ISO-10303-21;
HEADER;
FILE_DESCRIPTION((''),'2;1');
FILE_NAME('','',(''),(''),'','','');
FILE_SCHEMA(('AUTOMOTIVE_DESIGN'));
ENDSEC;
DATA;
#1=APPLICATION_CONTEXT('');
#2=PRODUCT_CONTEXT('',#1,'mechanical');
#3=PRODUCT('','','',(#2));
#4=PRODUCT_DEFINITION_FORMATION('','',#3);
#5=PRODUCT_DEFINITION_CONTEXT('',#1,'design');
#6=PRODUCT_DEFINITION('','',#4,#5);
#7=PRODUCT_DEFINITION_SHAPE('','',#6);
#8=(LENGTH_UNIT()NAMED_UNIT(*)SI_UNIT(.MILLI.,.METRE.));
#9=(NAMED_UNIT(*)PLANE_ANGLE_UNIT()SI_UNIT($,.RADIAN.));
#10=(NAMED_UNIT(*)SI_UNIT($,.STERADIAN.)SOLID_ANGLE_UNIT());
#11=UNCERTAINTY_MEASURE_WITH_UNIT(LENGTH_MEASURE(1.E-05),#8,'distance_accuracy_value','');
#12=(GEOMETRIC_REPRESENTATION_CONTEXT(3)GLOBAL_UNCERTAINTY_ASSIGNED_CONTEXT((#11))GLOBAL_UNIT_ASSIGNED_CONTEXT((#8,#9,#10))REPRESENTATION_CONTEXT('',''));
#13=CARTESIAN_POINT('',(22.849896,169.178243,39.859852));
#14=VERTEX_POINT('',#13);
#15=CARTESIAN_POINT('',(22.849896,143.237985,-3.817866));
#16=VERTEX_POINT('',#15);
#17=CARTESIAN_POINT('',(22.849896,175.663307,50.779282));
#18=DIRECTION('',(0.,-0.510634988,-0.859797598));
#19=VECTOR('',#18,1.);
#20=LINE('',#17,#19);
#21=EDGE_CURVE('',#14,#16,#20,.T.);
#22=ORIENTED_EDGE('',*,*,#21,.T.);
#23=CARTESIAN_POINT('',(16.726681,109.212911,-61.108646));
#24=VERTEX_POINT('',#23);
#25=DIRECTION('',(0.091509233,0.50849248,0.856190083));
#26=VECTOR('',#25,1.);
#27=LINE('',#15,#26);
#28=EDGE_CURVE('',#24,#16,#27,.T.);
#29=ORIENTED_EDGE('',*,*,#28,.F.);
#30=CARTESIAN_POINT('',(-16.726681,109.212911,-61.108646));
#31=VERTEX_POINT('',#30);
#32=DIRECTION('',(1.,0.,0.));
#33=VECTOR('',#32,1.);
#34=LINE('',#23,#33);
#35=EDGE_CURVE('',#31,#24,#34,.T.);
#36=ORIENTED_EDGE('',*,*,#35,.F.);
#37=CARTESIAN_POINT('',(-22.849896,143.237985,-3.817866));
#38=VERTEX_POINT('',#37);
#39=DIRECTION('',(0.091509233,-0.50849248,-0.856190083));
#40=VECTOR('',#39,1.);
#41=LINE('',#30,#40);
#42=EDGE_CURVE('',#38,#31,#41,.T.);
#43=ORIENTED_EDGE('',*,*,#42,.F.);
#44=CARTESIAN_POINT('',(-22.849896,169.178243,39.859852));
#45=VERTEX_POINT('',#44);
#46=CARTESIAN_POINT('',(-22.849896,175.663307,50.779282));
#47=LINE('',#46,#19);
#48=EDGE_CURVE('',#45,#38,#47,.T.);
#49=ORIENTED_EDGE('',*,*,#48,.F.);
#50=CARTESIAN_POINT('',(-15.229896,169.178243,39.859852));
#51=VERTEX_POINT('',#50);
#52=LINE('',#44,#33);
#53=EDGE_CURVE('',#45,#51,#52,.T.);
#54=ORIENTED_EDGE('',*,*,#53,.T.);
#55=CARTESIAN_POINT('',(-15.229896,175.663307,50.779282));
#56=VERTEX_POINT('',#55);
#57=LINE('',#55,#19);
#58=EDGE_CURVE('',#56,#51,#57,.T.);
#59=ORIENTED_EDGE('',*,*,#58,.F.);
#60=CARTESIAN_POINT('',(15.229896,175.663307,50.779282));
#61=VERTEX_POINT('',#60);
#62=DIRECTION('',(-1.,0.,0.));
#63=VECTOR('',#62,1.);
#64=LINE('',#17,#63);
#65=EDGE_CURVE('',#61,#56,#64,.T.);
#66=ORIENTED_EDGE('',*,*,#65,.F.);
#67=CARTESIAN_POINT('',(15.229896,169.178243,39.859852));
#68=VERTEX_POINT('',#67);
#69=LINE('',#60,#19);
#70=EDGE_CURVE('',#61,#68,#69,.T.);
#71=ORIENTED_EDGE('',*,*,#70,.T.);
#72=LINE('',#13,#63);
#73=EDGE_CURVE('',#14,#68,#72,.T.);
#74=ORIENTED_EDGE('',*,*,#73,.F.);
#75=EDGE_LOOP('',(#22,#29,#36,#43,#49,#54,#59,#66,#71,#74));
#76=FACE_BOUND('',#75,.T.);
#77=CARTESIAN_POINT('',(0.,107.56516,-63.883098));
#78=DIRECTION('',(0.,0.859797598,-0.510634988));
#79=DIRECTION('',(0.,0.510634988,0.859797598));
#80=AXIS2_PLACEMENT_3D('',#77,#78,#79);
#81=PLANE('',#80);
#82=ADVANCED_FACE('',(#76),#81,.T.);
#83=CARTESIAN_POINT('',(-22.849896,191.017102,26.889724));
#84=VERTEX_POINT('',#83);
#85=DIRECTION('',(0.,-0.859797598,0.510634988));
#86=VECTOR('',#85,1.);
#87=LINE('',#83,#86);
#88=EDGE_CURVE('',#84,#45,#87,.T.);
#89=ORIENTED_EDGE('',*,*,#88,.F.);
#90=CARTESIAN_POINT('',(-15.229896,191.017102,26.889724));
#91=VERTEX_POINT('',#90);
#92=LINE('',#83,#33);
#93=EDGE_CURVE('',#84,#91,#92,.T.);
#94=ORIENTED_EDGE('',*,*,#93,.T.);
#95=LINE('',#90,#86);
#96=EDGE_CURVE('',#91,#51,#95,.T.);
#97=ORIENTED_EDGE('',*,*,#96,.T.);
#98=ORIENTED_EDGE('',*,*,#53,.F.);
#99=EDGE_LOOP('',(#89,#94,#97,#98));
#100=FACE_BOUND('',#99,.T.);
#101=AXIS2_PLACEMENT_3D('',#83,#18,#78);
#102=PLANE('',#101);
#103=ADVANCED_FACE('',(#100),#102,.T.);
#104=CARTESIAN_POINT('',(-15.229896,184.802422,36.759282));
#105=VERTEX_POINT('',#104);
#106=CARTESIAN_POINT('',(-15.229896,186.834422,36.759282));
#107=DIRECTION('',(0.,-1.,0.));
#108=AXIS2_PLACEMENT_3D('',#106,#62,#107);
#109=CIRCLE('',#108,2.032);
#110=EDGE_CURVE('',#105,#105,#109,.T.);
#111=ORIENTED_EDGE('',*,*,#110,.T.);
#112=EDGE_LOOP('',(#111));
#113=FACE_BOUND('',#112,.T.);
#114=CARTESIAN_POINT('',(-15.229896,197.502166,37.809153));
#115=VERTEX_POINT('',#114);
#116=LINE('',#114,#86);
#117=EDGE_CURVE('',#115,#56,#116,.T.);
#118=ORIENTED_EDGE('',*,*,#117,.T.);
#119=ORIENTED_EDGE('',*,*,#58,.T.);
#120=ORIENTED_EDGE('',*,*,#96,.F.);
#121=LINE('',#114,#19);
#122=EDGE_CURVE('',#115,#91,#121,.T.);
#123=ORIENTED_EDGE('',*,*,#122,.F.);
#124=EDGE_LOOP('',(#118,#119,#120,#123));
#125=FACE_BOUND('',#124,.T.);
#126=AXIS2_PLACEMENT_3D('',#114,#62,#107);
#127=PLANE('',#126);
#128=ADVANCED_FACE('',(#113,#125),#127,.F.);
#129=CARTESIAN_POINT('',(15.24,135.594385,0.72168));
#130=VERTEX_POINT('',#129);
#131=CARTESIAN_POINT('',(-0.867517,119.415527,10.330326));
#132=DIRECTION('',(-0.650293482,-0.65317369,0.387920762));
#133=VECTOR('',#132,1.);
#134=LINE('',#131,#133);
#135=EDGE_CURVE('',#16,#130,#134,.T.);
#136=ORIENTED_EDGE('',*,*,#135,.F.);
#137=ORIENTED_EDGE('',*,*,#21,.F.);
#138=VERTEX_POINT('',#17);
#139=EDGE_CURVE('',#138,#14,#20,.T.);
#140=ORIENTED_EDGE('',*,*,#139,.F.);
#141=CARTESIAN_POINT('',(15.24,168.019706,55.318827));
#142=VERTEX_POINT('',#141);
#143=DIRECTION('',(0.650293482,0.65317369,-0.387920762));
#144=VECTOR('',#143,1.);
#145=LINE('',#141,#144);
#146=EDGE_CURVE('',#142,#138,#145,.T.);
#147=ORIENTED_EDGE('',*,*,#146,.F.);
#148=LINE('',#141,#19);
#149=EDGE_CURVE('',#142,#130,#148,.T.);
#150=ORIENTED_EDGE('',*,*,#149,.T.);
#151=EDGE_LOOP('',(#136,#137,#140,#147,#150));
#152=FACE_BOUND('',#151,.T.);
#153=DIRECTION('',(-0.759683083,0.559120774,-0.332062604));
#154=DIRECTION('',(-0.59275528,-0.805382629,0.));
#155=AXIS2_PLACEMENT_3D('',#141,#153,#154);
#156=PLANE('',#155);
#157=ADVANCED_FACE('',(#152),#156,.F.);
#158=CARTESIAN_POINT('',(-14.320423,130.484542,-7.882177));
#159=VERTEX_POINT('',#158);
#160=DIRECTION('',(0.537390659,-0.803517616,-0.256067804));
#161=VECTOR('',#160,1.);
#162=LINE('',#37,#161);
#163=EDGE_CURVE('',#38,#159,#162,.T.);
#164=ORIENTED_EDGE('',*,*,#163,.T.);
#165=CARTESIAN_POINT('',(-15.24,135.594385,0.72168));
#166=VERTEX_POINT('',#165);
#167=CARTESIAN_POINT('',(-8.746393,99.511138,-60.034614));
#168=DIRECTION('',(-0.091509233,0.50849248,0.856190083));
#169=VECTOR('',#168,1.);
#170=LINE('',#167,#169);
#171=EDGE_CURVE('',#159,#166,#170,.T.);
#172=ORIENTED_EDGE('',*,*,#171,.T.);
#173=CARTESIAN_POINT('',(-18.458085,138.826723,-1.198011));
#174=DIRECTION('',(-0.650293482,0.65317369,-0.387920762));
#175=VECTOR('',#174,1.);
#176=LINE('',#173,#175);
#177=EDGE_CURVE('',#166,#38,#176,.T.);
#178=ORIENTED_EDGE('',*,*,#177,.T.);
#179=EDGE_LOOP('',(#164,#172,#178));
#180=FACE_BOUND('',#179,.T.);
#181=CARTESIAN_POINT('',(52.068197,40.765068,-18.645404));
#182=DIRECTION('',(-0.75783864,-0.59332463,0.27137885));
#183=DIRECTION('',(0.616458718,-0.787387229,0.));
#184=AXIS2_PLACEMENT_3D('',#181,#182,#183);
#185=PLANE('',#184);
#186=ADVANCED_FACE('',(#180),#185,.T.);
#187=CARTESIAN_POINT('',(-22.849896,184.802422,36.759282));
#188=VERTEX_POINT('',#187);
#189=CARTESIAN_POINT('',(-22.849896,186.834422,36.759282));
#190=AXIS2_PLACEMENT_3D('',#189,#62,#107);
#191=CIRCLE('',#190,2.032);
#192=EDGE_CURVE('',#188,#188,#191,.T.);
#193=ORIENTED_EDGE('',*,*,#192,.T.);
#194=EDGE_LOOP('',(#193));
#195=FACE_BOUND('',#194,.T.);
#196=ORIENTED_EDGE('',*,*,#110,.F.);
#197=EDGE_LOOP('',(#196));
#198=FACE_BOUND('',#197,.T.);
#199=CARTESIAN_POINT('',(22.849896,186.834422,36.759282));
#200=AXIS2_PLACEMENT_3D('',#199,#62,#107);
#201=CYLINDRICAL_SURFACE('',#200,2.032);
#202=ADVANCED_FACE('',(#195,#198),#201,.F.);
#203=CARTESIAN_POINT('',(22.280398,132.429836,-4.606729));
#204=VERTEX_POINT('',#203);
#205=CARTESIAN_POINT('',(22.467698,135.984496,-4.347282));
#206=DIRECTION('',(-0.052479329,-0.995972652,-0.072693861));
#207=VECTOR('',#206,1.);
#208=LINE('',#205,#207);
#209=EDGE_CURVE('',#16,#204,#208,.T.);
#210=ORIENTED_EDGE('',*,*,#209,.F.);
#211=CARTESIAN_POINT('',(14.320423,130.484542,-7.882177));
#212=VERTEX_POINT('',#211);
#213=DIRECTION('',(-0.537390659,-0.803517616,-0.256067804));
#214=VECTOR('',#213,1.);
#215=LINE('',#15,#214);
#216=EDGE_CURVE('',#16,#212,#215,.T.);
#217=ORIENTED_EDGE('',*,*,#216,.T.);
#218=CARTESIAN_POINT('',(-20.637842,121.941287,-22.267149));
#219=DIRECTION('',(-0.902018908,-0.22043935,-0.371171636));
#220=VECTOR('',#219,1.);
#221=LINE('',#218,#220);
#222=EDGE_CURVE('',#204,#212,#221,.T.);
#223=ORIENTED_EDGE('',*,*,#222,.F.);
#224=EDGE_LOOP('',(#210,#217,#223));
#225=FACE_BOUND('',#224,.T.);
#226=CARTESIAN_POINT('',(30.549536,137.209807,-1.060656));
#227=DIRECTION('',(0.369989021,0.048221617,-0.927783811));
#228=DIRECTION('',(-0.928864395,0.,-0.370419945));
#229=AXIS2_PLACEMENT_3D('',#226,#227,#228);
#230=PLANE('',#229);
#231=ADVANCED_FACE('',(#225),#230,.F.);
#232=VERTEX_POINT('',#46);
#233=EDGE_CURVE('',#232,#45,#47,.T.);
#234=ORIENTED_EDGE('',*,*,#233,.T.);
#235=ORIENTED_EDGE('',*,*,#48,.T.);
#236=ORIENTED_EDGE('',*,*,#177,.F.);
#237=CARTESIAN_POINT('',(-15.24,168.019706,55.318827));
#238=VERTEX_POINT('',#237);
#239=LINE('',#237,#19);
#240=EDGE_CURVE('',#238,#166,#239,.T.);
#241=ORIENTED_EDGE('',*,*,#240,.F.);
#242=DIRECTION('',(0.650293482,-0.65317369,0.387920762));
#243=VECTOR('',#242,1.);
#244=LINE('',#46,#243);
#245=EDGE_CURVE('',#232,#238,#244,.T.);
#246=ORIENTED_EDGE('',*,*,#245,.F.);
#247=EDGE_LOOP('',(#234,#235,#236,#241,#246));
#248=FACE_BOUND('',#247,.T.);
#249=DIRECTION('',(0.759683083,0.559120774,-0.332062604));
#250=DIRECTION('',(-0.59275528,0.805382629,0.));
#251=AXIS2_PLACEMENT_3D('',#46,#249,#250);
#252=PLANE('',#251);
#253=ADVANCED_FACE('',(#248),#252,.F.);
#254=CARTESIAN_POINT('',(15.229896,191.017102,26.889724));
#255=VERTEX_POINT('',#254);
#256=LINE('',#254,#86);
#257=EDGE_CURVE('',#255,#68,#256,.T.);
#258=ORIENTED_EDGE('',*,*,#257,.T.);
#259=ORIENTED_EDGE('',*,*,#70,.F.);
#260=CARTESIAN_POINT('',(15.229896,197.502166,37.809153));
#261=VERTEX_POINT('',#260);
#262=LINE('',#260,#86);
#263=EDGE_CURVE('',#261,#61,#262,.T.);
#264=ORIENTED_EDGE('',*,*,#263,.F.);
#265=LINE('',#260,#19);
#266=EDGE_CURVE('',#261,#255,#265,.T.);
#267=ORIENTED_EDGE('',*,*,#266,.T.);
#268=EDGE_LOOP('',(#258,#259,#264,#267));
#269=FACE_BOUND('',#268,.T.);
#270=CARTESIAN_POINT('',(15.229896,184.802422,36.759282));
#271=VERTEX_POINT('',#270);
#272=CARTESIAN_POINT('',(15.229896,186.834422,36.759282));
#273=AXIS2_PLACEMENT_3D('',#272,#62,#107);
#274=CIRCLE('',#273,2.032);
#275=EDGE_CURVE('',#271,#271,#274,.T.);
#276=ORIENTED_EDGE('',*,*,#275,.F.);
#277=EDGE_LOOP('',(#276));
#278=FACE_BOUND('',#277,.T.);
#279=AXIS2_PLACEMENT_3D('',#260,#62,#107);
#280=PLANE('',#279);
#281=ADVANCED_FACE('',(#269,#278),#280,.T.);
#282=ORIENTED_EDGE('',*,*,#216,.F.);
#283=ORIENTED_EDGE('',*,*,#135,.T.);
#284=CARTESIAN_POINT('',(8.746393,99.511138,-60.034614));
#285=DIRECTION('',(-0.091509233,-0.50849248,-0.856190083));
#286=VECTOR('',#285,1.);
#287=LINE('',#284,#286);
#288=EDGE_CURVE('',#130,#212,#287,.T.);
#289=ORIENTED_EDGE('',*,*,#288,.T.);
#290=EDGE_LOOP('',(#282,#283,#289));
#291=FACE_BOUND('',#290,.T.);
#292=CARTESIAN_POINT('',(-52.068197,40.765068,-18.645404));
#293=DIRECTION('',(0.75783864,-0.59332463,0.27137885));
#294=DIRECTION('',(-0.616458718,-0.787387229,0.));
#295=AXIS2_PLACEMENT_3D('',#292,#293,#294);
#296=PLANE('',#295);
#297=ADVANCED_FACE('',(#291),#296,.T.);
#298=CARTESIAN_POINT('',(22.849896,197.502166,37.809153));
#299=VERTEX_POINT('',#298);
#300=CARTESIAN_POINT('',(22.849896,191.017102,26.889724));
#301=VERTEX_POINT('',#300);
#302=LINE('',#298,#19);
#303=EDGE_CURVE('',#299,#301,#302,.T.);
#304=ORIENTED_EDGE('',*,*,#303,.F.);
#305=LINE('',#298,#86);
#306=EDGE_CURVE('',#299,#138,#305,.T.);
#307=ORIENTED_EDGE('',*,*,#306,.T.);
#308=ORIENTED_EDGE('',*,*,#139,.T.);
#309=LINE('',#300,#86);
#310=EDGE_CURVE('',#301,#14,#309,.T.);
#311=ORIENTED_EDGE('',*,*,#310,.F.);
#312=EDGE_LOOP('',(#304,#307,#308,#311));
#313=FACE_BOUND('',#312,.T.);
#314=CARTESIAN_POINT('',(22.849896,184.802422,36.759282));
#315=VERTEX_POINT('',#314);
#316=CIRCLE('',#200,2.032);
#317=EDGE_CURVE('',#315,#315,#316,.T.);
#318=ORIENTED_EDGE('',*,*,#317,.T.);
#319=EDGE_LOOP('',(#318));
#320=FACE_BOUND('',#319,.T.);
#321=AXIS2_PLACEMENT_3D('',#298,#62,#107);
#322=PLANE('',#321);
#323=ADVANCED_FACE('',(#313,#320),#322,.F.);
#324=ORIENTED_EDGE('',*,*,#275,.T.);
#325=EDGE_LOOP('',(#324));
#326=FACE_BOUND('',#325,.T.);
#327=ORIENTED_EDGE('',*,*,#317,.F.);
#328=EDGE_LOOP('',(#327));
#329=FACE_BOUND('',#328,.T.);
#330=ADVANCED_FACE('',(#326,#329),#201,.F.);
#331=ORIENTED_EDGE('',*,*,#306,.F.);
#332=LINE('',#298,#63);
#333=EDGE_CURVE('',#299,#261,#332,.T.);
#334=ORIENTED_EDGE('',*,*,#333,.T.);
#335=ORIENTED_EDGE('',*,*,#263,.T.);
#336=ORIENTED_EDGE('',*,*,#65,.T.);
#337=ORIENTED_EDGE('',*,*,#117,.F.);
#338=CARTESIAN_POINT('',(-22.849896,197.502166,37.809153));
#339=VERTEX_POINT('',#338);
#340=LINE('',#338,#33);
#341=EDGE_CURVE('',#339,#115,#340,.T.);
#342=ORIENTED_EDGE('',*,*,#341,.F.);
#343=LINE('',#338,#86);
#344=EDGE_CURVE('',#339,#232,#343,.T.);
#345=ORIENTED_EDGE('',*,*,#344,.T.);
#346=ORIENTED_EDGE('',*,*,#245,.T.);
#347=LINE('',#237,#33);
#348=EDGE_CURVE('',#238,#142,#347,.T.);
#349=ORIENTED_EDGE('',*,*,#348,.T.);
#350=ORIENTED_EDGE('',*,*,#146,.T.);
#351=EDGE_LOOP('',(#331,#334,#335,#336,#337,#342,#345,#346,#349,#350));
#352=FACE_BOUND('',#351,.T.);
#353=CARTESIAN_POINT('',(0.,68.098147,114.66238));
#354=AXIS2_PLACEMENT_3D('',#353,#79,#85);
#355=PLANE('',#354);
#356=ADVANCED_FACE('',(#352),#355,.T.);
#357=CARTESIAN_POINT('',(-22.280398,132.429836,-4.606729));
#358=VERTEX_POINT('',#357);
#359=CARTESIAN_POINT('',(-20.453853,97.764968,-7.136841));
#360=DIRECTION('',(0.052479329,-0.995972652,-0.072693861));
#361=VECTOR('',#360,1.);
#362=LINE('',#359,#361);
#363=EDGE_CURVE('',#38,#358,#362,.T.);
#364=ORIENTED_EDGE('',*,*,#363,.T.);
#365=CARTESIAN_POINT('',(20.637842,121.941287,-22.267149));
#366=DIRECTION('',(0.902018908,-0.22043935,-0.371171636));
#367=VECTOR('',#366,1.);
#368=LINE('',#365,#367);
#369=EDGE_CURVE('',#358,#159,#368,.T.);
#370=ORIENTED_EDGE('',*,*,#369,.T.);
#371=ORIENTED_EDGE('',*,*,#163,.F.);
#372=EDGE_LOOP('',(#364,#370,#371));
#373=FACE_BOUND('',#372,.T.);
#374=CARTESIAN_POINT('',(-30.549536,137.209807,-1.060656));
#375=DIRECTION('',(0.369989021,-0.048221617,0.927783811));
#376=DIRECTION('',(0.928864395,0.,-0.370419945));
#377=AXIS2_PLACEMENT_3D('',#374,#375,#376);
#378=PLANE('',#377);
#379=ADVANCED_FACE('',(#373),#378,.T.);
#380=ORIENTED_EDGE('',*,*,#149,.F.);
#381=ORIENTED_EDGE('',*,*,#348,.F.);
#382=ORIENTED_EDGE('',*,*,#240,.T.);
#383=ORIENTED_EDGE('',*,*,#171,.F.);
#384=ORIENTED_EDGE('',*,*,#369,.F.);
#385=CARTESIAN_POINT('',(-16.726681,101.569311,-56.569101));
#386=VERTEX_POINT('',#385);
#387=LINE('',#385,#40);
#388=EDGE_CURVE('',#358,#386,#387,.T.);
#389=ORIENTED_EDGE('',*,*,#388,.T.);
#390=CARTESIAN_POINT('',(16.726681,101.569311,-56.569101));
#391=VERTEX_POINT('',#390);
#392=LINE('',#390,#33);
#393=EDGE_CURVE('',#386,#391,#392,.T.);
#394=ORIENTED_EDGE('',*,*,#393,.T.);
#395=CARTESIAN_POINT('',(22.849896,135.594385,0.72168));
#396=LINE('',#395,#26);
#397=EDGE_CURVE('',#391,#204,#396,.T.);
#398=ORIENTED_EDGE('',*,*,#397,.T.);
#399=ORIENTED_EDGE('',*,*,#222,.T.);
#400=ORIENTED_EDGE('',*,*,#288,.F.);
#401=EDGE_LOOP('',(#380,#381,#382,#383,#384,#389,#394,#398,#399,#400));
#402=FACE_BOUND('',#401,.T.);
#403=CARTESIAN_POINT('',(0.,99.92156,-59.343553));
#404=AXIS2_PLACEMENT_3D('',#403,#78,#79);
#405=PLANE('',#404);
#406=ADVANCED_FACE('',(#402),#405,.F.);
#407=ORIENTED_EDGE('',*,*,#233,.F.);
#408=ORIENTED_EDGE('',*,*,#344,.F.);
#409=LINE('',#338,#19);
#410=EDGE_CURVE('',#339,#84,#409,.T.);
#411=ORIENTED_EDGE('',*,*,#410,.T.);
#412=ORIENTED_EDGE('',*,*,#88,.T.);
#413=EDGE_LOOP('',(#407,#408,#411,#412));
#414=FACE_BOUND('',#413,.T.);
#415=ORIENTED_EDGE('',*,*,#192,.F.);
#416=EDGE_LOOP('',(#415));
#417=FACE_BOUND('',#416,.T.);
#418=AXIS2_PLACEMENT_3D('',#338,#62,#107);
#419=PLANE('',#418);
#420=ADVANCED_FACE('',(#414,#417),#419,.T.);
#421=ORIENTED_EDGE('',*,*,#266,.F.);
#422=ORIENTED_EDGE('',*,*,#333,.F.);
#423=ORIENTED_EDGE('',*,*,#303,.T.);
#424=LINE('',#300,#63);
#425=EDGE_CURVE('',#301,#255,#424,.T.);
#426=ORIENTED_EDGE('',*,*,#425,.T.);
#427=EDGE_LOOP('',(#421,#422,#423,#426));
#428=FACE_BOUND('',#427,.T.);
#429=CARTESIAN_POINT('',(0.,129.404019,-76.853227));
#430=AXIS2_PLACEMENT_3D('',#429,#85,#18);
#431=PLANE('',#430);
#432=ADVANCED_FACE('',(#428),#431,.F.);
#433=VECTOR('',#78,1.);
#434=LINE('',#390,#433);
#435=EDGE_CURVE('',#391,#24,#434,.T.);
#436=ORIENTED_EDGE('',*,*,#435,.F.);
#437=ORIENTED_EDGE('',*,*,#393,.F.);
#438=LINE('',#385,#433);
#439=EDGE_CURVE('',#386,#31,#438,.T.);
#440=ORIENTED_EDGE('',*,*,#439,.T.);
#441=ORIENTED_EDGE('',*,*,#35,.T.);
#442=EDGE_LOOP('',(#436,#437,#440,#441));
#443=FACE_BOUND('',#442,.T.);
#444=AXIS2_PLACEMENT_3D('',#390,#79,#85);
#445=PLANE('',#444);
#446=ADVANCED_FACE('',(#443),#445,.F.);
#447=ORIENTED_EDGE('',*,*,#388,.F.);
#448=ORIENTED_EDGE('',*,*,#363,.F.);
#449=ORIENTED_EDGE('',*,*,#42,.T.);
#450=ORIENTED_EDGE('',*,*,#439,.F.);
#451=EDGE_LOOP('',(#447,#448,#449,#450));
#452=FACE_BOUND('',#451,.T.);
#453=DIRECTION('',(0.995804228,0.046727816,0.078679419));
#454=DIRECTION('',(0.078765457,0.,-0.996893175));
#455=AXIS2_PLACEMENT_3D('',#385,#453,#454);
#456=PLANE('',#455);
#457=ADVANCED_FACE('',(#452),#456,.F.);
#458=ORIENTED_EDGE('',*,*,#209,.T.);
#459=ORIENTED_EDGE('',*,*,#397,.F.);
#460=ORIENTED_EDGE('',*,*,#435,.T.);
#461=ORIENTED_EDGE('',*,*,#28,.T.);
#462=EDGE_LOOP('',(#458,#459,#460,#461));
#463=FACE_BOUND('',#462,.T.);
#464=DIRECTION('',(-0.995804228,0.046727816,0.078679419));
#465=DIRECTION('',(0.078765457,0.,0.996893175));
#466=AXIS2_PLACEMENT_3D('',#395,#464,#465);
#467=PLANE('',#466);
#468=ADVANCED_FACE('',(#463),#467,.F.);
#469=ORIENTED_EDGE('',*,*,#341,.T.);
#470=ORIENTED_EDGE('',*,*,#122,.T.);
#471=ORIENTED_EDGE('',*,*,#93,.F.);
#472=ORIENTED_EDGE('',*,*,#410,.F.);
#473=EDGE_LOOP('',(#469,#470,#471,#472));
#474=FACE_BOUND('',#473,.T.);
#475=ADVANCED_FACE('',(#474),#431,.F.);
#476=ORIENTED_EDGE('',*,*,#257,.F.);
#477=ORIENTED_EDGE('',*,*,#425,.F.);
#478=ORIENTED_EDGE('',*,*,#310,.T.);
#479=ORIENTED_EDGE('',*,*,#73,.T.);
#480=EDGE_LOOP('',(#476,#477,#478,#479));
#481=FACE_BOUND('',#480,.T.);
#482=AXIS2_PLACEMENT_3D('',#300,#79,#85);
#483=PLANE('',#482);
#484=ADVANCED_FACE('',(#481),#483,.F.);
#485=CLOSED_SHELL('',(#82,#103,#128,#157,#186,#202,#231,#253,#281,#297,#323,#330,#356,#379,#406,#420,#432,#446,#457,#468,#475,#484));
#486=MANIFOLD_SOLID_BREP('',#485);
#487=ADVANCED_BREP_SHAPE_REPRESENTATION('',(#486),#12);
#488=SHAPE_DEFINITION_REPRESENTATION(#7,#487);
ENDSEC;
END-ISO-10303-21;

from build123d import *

# Parameters (mm, degrees)
BOSS_EXTRUDE1_DEPTH = 8.89
SKETCH9_W           = 38.1
SKETCH9_H           = 170.494756514
CUT_EXTRUDE1_DEPTH  = 10.16
BOSS_EXTRUDE2_DEPTH = 63.5
SKETCH12_W          = 7.62
SKETCH12_H          = 12.7
BOSS_EXTRUDE3_DEPTH = 25.4
SKETCH13_R          = 2.031999997
CUT_EXTRUDE2_DEPTH  = 46.699791471


with BuildPart() as part:
    # Sketch2 → Boss-Extrude1 (new body)
    with BuildSketch(Plane(origin=(0, 107.565160262, -63.883098153), x_dir=(1, 0, 0), z_dir=(0, -0.859797598, 0.510634988))):
        Polygon((-16.72668145, 3.22686704), (-22.849895735, 69.859735371), (22.849895735, 69.859735371), (16.72668145, 3.22686704), align=None)
    extrude(amount=BOSS_EXTRUDE1_DEPTH)

    # Sketch9 → Cut-Extrude1 (cut)
    with BuildSketch(Plane(origin=(52.068196995, 40.765068024, -18.64540373), x_dir=(0.369989021, -0.048221617, 0.927783811), z_dir=(-0.75783864, -0.59332463, 0.27137885))):
        with Locations((0.146468301, 41.148554402)):
            Rectangle(SKETCH9_W, SKETCH9_H)
    cut_extrude1 = extrude(amount=CUT_EXTRUDE1_DEPTH, mode=Mode.SUBTRACT)

    # Mirror1: Cut-Extrude1 across plane
    add(cut_extrude1.mirror(Plane.ZY), mode=Mode.SUBTRACT)

    # Sketch11 → Boss-Extrude2 (add)
    with BuildSketch(Plane(origin=(0, 35.672825136, 60.065232647), x_dir=(1, 0, 0), z_dir=(0, 0.510634988, 0.859797598))):
        Polygon((-22.849895735, 125.105211449), (-15.24, 116.215211449), (15.24, 116.215211449), (22.849895735, 125.105211449), align=None)
    extrude(amount=BOSS_EXTRUDE2_DEPTH)

    # Sketch12 → Boss-Extrude3 (add)
    with BuildSketch(Plane(origin=(0, 107.565160262, -63.883098153), x_dir=(-1, 0, 0), z_dir=(0, 0.859797598, -0.510634988))):
        with Locations((-19.039895735, 127.009735371)):
            Rectangle(SKETCH12_W, SKETCH12_H)
    boss_extrude3 = extrude(amount=BOSS_EXTRUDE3_DEPTH)

    # Mirror2: Boss-Extrude3 across plane
    add(boss_extrude3.mirror(Plane(origin=(0, 0, 0), x_dir=(0, 0, 1), z_dir=(1, 0, 0))))

    # Sketch13 → Cut-Extrude2 (cut, through all)
    with BuildSketch(Plane.ZY.offset(22.849895735)):
        with Locations((36.759282263, 186.834421892)):
            Circle(SKETCH13_R)
    extrude(amount=-CUT_EXTRUDE2_DEPTH, mode=Mode.SUBTRACT)


solid = part.part
